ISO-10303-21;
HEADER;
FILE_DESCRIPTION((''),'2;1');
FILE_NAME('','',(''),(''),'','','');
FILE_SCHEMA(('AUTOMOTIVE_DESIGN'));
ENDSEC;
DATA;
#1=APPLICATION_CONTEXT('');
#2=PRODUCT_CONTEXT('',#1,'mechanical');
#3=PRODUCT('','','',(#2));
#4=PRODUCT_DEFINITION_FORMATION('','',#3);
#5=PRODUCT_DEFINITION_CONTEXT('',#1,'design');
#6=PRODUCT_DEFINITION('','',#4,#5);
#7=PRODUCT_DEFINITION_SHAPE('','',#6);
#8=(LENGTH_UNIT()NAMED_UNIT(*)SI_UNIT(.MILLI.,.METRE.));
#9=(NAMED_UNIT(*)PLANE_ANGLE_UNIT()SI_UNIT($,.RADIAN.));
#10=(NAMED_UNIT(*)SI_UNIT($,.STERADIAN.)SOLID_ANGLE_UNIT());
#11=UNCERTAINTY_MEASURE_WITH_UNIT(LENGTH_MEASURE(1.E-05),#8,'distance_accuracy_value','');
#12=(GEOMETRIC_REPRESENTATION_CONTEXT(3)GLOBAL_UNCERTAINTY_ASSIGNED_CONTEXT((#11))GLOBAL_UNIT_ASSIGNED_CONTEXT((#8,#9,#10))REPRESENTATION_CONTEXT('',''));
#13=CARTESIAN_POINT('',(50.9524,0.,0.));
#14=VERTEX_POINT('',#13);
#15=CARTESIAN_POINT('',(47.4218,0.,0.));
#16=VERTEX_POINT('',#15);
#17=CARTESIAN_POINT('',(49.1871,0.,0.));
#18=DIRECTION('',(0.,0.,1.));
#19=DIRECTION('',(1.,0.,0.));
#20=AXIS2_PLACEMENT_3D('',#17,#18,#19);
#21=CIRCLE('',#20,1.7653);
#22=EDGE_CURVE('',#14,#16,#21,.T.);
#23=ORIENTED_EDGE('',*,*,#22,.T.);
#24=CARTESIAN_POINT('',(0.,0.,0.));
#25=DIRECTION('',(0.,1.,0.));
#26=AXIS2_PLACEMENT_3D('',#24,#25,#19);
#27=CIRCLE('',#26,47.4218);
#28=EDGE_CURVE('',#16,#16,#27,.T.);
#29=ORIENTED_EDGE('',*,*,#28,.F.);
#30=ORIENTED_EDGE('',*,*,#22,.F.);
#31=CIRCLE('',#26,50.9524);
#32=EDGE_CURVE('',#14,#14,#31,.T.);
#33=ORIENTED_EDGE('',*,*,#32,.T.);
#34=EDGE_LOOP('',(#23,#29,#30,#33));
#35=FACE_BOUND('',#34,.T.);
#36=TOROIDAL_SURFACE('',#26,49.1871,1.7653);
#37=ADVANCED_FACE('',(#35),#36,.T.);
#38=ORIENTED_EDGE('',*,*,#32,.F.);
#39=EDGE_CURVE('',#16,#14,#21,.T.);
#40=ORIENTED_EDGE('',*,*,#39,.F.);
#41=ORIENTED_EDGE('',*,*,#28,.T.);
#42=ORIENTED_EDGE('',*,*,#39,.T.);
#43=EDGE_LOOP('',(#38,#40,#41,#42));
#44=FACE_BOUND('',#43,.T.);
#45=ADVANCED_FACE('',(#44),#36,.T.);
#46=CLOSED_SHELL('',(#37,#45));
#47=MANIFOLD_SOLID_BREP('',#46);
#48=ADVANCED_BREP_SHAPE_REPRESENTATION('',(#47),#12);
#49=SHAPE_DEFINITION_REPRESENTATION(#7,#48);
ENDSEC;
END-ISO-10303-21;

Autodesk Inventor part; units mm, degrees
ref_plane "YZ Plane" through (0, 0, 0) normal (1, 0, 0) x (0, 1, 0)
ref_plane "XZ Plane" through (0, 0, 0) normal (0, 1, 0) x (-1, 0, 0)
ref_plane "XY Plane" through (0, 0, 0) normal (0, 0, 1) x (1, 0, 0)
sketch "Sketch1" plane through (0, 0, 0) normal (0, 0, 1) x (1, 0, 0)
  circle A0 centre (49.1871, 0) radius 1.7653
  line L0 (47.4218, 12.3168) -> (47.4218, -7.3576) construction
  line L1 (-10.1905, 0) -> (61.1429, 0) projected
  line L2 (0, -11.2924) -> (0, 16.2516) projected
  point P0 (0, 0)
  dimension "d0" = 47.4218
  dimension "d1" = 3.5306
revolve "Revolution1" add sketch "Sketch1" angle 360 about axis through (0, -10, 0) along (0, 1, 0)
properties part number "2-240" material "Rubber"
